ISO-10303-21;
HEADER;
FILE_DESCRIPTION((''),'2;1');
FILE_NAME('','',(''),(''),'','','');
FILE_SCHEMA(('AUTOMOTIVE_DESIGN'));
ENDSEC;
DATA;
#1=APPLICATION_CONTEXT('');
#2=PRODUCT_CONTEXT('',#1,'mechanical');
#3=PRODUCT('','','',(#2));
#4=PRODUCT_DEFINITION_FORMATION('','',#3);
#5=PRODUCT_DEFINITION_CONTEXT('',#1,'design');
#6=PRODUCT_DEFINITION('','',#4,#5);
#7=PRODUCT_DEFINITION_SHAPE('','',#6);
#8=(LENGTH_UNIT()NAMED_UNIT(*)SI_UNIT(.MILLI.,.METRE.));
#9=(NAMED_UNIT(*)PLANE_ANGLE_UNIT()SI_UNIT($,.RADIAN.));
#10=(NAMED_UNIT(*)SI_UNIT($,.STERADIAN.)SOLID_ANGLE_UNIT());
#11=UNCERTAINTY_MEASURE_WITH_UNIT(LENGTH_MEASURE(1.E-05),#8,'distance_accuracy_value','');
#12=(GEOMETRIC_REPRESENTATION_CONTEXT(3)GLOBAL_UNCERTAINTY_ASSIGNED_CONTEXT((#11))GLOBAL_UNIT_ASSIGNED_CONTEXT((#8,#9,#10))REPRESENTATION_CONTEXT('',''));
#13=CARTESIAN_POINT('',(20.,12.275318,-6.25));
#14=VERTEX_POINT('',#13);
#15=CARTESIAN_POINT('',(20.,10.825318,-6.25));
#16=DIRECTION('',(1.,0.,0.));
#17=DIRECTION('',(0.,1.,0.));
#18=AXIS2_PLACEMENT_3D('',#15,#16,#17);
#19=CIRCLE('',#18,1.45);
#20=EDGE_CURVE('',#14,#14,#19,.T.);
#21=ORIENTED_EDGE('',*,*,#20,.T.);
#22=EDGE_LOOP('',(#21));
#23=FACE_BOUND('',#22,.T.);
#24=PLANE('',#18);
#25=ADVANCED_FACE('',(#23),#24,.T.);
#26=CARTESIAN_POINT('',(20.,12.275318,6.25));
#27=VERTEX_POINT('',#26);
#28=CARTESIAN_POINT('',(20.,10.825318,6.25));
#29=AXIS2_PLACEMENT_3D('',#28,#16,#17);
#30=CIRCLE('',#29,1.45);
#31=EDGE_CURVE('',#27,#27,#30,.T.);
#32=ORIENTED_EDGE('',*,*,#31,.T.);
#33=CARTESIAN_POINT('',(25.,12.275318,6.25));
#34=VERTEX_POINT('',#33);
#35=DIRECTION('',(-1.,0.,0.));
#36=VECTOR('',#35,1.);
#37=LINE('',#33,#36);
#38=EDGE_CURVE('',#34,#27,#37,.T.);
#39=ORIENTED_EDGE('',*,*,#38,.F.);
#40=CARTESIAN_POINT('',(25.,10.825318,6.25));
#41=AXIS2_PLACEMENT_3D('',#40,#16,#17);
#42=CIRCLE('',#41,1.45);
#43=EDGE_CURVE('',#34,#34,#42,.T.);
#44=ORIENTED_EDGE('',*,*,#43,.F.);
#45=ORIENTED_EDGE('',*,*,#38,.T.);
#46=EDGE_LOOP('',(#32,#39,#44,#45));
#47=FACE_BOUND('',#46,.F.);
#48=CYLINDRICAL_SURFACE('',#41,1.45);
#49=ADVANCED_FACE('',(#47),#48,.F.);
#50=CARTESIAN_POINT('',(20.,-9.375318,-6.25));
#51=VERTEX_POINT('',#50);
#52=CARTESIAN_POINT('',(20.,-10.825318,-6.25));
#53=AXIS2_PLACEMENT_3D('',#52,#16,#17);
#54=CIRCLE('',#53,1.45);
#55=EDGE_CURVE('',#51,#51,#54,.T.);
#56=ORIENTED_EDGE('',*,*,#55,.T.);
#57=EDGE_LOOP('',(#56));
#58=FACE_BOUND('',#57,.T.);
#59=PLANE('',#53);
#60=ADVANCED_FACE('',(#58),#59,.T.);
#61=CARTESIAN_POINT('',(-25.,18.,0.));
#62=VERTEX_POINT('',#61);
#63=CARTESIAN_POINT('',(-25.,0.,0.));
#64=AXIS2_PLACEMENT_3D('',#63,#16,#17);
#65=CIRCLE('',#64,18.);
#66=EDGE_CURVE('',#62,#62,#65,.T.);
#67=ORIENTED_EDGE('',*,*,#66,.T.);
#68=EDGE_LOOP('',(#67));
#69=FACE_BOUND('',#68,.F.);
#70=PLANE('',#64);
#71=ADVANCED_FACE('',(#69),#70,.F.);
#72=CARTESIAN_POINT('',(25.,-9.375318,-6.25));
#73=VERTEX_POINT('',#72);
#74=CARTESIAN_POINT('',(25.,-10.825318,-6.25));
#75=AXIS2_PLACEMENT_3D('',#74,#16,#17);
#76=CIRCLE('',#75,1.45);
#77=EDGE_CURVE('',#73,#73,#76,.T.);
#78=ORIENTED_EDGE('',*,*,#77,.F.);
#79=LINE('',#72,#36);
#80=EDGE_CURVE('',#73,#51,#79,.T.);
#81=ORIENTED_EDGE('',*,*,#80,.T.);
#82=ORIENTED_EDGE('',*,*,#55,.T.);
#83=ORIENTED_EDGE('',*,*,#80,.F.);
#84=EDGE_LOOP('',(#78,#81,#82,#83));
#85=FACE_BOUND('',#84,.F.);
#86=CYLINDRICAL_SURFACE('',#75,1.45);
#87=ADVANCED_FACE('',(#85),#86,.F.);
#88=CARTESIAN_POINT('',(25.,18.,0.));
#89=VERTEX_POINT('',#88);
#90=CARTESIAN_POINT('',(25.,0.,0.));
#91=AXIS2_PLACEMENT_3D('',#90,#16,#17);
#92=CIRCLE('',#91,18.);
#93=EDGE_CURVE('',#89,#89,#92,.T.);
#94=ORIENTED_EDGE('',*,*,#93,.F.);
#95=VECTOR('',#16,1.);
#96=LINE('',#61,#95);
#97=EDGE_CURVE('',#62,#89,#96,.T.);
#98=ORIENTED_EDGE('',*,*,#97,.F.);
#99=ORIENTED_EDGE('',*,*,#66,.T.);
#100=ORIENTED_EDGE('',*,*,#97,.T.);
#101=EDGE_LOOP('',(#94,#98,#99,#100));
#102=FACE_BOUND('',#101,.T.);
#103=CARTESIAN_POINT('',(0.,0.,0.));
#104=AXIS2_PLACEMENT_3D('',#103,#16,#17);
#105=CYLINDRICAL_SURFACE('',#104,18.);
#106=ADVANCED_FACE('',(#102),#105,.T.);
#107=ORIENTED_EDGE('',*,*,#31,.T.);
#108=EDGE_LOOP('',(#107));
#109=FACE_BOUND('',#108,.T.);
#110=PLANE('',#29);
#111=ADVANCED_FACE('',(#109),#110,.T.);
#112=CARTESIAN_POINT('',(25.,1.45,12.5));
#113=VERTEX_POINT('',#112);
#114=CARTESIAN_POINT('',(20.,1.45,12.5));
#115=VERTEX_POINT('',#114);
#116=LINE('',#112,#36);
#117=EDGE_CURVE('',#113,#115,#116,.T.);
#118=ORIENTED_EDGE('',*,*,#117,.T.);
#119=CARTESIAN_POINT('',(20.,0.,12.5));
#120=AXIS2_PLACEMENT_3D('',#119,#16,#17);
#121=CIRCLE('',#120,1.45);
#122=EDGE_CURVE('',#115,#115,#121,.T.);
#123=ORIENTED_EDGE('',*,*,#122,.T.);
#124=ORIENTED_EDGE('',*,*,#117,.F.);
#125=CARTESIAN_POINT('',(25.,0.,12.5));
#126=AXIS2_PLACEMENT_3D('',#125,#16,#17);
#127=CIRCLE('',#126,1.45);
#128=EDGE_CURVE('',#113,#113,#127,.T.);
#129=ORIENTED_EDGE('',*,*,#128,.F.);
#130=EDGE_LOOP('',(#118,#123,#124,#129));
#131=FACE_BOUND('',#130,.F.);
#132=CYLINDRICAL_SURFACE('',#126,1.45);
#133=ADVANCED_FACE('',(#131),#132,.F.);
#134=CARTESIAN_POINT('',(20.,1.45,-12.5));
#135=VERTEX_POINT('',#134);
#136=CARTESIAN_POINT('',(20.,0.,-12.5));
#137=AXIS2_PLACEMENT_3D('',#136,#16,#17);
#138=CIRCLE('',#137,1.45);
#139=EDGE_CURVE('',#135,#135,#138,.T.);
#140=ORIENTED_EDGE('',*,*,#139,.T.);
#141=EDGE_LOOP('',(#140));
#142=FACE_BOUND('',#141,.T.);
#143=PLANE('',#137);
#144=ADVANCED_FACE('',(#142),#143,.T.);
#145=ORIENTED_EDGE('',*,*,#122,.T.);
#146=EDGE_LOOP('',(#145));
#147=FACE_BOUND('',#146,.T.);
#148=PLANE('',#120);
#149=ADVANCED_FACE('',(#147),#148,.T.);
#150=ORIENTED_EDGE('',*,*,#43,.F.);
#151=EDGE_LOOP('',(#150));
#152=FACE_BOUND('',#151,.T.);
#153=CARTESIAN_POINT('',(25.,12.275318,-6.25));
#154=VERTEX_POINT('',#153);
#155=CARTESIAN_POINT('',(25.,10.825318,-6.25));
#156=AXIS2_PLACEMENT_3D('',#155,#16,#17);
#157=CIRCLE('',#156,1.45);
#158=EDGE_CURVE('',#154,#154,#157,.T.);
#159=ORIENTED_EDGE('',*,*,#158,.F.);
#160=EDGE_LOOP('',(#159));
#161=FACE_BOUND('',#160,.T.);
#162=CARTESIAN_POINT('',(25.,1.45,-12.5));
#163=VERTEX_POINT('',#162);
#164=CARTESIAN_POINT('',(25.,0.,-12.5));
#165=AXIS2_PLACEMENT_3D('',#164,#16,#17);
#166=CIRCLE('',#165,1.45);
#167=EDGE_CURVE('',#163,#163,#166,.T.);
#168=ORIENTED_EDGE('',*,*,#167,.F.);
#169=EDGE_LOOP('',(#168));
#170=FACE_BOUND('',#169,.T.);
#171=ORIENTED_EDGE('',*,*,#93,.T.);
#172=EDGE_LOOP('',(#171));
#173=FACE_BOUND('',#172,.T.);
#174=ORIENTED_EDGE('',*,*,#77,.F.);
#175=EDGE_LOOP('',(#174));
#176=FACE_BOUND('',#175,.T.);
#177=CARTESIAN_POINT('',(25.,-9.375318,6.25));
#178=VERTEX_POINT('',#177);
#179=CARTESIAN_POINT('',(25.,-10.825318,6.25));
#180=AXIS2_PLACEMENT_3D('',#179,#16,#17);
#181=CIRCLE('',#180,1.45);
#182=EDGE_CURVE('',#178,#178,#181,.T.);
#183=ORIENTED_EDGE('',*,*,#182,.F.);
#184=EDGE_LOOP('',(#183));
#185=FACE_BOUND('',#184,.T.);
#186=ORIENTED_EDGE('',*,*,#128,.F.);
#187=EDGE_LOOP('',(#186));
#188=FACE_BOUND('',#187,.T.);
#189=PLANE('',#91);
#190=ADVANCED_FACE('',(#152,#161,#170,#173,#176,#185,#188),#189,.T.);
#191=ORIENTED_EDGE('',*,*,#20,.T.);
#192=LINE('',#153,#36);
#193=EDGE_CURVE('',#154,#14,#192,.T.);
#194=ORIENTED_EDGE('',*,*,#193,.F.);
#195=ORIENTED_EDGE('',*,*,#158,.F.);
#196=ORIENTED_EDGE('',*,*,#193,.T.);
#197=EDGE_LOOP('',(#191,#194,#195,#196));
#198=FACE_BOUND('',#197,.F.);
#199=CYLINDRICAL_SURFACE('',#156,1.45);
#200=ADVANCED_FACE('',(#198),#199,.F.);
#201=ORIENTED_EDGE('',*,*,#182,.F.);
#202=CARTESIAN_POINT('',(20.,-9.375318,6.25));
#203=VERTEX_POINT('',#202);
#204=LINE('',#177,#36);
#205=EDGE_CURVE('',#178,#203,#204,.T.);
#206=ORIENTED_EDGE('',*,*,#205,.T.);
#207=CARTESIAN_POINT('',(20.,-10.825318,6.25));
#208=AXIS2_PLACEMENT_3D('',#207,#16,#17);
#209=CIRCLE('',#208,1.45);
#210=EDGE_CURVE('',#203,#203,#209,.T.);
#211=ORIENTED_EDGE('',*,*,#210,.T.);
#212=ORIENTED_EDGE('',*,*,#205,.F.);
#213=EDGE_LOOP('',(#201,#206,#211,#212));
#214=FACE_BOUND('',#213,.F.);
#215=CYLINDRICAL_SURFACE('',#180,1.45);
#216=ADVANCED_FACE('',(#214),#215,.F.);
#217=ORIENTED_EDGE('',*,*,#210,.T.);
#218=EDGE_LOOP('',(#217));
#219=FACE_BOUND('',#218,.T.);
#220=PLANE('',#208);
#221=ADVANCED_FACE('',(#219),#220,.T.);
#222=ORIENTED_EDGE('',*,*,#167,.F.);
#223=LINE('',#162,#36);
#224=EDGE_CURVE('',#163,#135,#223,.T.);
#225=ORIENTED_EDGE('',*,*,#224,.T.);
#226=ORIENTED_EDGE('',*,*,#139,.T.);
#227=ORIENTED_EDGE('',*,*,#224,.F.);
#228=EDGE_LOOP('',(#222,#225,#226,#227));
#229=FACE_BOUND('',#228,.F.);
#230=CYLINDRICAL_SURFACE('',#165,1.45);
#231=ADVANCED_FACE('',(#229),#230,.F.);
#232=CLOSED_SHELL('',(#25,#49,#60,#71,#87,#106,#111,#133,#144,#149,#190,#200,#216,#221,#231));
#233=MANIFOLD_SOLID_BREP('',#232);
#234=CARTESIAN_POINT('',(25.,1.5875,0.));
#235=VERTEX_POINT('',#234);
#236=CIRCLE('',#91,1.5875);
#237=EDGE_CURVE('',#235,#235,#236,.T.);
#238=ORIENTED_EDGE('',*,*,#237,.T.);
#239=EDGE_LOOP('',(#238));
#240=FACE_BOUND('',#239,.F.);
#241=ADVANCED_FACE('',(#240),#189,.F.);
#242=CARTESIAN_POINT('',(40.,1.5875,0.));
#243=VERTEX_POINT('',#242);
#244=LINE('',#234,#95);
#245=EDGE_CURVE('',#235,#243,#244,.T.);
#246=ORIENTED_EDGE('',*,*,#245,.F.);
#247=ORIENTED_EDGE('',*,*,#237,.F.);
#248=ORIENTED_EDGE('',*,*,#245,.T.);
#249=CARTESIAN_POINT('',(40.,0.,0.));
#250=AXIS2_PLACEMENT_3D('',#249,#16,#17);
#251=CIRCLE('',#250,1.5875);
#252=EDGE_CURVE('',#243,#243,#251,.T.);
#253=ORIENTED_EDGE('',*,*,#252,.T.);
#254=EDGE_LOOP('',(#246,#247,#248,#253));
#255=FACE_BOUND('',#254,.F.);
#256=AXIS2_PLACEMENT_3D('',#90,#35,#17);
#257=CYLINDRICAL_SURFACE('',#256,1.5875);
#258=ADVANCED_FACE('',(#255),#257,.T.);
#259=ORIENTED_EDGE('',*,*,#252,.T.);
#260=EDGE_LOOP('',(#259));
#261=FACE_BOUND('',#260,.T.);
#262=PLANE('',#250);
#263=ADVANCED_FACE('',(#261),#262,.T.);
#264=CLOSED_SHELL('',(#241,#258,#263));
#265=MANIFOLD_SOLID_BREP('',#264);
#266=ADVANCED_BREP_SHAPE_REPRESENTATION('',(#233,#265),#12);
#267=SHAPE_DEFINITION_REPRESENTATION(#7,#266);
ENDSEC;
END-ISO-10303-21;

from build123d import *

# Parameters (mm, degrees)
F0_R     = 18
F1_DEPTH = 25
F2_R     = 1.5875
F3_DEPTH = 15
F4_R     = 1.45
F5_DEPTH = 5


with BuildPart() as f1:
    # F0 (on Right) → F1 (new body, symmetric)
    with BuildSketch(Plane.YZ):
        Circle(F0_R)
    extrude(amount=F1_DEPTH, both=True)

    # F4 (on face) → F5 (cut)
    with BuildSketch(Plane.YZ.offset(25)):
        with Locations((-10.8253175473, 6.25)):
            Circle(F4_R)
        with Locations((0, 12.5)):
            Circle(F4_R)
        with Locations((10.8253175473, 6.25)):
            Circle(F4_R)
        with Locations((10.8253175473, -6.25)):
            Circle(F4_R)
        with Locations((0, -12.5)):
            Circle(F4_R)
        with Locations((-10.8253175473, -6.25)):
            Circle(F4_R)
    extrude(amount=-F5_DEPTH, mode=Mode.SUBTRACT)


with BuildPart() as f3:
    # F2 (on face) → F3 (new body)
    with BuildSketch(Plane.YZ.offset(25)):
        Circle(F2_R)
    extrude(amount=F3_DEPTH)


solid = Compound([f1.part, f3.part])
